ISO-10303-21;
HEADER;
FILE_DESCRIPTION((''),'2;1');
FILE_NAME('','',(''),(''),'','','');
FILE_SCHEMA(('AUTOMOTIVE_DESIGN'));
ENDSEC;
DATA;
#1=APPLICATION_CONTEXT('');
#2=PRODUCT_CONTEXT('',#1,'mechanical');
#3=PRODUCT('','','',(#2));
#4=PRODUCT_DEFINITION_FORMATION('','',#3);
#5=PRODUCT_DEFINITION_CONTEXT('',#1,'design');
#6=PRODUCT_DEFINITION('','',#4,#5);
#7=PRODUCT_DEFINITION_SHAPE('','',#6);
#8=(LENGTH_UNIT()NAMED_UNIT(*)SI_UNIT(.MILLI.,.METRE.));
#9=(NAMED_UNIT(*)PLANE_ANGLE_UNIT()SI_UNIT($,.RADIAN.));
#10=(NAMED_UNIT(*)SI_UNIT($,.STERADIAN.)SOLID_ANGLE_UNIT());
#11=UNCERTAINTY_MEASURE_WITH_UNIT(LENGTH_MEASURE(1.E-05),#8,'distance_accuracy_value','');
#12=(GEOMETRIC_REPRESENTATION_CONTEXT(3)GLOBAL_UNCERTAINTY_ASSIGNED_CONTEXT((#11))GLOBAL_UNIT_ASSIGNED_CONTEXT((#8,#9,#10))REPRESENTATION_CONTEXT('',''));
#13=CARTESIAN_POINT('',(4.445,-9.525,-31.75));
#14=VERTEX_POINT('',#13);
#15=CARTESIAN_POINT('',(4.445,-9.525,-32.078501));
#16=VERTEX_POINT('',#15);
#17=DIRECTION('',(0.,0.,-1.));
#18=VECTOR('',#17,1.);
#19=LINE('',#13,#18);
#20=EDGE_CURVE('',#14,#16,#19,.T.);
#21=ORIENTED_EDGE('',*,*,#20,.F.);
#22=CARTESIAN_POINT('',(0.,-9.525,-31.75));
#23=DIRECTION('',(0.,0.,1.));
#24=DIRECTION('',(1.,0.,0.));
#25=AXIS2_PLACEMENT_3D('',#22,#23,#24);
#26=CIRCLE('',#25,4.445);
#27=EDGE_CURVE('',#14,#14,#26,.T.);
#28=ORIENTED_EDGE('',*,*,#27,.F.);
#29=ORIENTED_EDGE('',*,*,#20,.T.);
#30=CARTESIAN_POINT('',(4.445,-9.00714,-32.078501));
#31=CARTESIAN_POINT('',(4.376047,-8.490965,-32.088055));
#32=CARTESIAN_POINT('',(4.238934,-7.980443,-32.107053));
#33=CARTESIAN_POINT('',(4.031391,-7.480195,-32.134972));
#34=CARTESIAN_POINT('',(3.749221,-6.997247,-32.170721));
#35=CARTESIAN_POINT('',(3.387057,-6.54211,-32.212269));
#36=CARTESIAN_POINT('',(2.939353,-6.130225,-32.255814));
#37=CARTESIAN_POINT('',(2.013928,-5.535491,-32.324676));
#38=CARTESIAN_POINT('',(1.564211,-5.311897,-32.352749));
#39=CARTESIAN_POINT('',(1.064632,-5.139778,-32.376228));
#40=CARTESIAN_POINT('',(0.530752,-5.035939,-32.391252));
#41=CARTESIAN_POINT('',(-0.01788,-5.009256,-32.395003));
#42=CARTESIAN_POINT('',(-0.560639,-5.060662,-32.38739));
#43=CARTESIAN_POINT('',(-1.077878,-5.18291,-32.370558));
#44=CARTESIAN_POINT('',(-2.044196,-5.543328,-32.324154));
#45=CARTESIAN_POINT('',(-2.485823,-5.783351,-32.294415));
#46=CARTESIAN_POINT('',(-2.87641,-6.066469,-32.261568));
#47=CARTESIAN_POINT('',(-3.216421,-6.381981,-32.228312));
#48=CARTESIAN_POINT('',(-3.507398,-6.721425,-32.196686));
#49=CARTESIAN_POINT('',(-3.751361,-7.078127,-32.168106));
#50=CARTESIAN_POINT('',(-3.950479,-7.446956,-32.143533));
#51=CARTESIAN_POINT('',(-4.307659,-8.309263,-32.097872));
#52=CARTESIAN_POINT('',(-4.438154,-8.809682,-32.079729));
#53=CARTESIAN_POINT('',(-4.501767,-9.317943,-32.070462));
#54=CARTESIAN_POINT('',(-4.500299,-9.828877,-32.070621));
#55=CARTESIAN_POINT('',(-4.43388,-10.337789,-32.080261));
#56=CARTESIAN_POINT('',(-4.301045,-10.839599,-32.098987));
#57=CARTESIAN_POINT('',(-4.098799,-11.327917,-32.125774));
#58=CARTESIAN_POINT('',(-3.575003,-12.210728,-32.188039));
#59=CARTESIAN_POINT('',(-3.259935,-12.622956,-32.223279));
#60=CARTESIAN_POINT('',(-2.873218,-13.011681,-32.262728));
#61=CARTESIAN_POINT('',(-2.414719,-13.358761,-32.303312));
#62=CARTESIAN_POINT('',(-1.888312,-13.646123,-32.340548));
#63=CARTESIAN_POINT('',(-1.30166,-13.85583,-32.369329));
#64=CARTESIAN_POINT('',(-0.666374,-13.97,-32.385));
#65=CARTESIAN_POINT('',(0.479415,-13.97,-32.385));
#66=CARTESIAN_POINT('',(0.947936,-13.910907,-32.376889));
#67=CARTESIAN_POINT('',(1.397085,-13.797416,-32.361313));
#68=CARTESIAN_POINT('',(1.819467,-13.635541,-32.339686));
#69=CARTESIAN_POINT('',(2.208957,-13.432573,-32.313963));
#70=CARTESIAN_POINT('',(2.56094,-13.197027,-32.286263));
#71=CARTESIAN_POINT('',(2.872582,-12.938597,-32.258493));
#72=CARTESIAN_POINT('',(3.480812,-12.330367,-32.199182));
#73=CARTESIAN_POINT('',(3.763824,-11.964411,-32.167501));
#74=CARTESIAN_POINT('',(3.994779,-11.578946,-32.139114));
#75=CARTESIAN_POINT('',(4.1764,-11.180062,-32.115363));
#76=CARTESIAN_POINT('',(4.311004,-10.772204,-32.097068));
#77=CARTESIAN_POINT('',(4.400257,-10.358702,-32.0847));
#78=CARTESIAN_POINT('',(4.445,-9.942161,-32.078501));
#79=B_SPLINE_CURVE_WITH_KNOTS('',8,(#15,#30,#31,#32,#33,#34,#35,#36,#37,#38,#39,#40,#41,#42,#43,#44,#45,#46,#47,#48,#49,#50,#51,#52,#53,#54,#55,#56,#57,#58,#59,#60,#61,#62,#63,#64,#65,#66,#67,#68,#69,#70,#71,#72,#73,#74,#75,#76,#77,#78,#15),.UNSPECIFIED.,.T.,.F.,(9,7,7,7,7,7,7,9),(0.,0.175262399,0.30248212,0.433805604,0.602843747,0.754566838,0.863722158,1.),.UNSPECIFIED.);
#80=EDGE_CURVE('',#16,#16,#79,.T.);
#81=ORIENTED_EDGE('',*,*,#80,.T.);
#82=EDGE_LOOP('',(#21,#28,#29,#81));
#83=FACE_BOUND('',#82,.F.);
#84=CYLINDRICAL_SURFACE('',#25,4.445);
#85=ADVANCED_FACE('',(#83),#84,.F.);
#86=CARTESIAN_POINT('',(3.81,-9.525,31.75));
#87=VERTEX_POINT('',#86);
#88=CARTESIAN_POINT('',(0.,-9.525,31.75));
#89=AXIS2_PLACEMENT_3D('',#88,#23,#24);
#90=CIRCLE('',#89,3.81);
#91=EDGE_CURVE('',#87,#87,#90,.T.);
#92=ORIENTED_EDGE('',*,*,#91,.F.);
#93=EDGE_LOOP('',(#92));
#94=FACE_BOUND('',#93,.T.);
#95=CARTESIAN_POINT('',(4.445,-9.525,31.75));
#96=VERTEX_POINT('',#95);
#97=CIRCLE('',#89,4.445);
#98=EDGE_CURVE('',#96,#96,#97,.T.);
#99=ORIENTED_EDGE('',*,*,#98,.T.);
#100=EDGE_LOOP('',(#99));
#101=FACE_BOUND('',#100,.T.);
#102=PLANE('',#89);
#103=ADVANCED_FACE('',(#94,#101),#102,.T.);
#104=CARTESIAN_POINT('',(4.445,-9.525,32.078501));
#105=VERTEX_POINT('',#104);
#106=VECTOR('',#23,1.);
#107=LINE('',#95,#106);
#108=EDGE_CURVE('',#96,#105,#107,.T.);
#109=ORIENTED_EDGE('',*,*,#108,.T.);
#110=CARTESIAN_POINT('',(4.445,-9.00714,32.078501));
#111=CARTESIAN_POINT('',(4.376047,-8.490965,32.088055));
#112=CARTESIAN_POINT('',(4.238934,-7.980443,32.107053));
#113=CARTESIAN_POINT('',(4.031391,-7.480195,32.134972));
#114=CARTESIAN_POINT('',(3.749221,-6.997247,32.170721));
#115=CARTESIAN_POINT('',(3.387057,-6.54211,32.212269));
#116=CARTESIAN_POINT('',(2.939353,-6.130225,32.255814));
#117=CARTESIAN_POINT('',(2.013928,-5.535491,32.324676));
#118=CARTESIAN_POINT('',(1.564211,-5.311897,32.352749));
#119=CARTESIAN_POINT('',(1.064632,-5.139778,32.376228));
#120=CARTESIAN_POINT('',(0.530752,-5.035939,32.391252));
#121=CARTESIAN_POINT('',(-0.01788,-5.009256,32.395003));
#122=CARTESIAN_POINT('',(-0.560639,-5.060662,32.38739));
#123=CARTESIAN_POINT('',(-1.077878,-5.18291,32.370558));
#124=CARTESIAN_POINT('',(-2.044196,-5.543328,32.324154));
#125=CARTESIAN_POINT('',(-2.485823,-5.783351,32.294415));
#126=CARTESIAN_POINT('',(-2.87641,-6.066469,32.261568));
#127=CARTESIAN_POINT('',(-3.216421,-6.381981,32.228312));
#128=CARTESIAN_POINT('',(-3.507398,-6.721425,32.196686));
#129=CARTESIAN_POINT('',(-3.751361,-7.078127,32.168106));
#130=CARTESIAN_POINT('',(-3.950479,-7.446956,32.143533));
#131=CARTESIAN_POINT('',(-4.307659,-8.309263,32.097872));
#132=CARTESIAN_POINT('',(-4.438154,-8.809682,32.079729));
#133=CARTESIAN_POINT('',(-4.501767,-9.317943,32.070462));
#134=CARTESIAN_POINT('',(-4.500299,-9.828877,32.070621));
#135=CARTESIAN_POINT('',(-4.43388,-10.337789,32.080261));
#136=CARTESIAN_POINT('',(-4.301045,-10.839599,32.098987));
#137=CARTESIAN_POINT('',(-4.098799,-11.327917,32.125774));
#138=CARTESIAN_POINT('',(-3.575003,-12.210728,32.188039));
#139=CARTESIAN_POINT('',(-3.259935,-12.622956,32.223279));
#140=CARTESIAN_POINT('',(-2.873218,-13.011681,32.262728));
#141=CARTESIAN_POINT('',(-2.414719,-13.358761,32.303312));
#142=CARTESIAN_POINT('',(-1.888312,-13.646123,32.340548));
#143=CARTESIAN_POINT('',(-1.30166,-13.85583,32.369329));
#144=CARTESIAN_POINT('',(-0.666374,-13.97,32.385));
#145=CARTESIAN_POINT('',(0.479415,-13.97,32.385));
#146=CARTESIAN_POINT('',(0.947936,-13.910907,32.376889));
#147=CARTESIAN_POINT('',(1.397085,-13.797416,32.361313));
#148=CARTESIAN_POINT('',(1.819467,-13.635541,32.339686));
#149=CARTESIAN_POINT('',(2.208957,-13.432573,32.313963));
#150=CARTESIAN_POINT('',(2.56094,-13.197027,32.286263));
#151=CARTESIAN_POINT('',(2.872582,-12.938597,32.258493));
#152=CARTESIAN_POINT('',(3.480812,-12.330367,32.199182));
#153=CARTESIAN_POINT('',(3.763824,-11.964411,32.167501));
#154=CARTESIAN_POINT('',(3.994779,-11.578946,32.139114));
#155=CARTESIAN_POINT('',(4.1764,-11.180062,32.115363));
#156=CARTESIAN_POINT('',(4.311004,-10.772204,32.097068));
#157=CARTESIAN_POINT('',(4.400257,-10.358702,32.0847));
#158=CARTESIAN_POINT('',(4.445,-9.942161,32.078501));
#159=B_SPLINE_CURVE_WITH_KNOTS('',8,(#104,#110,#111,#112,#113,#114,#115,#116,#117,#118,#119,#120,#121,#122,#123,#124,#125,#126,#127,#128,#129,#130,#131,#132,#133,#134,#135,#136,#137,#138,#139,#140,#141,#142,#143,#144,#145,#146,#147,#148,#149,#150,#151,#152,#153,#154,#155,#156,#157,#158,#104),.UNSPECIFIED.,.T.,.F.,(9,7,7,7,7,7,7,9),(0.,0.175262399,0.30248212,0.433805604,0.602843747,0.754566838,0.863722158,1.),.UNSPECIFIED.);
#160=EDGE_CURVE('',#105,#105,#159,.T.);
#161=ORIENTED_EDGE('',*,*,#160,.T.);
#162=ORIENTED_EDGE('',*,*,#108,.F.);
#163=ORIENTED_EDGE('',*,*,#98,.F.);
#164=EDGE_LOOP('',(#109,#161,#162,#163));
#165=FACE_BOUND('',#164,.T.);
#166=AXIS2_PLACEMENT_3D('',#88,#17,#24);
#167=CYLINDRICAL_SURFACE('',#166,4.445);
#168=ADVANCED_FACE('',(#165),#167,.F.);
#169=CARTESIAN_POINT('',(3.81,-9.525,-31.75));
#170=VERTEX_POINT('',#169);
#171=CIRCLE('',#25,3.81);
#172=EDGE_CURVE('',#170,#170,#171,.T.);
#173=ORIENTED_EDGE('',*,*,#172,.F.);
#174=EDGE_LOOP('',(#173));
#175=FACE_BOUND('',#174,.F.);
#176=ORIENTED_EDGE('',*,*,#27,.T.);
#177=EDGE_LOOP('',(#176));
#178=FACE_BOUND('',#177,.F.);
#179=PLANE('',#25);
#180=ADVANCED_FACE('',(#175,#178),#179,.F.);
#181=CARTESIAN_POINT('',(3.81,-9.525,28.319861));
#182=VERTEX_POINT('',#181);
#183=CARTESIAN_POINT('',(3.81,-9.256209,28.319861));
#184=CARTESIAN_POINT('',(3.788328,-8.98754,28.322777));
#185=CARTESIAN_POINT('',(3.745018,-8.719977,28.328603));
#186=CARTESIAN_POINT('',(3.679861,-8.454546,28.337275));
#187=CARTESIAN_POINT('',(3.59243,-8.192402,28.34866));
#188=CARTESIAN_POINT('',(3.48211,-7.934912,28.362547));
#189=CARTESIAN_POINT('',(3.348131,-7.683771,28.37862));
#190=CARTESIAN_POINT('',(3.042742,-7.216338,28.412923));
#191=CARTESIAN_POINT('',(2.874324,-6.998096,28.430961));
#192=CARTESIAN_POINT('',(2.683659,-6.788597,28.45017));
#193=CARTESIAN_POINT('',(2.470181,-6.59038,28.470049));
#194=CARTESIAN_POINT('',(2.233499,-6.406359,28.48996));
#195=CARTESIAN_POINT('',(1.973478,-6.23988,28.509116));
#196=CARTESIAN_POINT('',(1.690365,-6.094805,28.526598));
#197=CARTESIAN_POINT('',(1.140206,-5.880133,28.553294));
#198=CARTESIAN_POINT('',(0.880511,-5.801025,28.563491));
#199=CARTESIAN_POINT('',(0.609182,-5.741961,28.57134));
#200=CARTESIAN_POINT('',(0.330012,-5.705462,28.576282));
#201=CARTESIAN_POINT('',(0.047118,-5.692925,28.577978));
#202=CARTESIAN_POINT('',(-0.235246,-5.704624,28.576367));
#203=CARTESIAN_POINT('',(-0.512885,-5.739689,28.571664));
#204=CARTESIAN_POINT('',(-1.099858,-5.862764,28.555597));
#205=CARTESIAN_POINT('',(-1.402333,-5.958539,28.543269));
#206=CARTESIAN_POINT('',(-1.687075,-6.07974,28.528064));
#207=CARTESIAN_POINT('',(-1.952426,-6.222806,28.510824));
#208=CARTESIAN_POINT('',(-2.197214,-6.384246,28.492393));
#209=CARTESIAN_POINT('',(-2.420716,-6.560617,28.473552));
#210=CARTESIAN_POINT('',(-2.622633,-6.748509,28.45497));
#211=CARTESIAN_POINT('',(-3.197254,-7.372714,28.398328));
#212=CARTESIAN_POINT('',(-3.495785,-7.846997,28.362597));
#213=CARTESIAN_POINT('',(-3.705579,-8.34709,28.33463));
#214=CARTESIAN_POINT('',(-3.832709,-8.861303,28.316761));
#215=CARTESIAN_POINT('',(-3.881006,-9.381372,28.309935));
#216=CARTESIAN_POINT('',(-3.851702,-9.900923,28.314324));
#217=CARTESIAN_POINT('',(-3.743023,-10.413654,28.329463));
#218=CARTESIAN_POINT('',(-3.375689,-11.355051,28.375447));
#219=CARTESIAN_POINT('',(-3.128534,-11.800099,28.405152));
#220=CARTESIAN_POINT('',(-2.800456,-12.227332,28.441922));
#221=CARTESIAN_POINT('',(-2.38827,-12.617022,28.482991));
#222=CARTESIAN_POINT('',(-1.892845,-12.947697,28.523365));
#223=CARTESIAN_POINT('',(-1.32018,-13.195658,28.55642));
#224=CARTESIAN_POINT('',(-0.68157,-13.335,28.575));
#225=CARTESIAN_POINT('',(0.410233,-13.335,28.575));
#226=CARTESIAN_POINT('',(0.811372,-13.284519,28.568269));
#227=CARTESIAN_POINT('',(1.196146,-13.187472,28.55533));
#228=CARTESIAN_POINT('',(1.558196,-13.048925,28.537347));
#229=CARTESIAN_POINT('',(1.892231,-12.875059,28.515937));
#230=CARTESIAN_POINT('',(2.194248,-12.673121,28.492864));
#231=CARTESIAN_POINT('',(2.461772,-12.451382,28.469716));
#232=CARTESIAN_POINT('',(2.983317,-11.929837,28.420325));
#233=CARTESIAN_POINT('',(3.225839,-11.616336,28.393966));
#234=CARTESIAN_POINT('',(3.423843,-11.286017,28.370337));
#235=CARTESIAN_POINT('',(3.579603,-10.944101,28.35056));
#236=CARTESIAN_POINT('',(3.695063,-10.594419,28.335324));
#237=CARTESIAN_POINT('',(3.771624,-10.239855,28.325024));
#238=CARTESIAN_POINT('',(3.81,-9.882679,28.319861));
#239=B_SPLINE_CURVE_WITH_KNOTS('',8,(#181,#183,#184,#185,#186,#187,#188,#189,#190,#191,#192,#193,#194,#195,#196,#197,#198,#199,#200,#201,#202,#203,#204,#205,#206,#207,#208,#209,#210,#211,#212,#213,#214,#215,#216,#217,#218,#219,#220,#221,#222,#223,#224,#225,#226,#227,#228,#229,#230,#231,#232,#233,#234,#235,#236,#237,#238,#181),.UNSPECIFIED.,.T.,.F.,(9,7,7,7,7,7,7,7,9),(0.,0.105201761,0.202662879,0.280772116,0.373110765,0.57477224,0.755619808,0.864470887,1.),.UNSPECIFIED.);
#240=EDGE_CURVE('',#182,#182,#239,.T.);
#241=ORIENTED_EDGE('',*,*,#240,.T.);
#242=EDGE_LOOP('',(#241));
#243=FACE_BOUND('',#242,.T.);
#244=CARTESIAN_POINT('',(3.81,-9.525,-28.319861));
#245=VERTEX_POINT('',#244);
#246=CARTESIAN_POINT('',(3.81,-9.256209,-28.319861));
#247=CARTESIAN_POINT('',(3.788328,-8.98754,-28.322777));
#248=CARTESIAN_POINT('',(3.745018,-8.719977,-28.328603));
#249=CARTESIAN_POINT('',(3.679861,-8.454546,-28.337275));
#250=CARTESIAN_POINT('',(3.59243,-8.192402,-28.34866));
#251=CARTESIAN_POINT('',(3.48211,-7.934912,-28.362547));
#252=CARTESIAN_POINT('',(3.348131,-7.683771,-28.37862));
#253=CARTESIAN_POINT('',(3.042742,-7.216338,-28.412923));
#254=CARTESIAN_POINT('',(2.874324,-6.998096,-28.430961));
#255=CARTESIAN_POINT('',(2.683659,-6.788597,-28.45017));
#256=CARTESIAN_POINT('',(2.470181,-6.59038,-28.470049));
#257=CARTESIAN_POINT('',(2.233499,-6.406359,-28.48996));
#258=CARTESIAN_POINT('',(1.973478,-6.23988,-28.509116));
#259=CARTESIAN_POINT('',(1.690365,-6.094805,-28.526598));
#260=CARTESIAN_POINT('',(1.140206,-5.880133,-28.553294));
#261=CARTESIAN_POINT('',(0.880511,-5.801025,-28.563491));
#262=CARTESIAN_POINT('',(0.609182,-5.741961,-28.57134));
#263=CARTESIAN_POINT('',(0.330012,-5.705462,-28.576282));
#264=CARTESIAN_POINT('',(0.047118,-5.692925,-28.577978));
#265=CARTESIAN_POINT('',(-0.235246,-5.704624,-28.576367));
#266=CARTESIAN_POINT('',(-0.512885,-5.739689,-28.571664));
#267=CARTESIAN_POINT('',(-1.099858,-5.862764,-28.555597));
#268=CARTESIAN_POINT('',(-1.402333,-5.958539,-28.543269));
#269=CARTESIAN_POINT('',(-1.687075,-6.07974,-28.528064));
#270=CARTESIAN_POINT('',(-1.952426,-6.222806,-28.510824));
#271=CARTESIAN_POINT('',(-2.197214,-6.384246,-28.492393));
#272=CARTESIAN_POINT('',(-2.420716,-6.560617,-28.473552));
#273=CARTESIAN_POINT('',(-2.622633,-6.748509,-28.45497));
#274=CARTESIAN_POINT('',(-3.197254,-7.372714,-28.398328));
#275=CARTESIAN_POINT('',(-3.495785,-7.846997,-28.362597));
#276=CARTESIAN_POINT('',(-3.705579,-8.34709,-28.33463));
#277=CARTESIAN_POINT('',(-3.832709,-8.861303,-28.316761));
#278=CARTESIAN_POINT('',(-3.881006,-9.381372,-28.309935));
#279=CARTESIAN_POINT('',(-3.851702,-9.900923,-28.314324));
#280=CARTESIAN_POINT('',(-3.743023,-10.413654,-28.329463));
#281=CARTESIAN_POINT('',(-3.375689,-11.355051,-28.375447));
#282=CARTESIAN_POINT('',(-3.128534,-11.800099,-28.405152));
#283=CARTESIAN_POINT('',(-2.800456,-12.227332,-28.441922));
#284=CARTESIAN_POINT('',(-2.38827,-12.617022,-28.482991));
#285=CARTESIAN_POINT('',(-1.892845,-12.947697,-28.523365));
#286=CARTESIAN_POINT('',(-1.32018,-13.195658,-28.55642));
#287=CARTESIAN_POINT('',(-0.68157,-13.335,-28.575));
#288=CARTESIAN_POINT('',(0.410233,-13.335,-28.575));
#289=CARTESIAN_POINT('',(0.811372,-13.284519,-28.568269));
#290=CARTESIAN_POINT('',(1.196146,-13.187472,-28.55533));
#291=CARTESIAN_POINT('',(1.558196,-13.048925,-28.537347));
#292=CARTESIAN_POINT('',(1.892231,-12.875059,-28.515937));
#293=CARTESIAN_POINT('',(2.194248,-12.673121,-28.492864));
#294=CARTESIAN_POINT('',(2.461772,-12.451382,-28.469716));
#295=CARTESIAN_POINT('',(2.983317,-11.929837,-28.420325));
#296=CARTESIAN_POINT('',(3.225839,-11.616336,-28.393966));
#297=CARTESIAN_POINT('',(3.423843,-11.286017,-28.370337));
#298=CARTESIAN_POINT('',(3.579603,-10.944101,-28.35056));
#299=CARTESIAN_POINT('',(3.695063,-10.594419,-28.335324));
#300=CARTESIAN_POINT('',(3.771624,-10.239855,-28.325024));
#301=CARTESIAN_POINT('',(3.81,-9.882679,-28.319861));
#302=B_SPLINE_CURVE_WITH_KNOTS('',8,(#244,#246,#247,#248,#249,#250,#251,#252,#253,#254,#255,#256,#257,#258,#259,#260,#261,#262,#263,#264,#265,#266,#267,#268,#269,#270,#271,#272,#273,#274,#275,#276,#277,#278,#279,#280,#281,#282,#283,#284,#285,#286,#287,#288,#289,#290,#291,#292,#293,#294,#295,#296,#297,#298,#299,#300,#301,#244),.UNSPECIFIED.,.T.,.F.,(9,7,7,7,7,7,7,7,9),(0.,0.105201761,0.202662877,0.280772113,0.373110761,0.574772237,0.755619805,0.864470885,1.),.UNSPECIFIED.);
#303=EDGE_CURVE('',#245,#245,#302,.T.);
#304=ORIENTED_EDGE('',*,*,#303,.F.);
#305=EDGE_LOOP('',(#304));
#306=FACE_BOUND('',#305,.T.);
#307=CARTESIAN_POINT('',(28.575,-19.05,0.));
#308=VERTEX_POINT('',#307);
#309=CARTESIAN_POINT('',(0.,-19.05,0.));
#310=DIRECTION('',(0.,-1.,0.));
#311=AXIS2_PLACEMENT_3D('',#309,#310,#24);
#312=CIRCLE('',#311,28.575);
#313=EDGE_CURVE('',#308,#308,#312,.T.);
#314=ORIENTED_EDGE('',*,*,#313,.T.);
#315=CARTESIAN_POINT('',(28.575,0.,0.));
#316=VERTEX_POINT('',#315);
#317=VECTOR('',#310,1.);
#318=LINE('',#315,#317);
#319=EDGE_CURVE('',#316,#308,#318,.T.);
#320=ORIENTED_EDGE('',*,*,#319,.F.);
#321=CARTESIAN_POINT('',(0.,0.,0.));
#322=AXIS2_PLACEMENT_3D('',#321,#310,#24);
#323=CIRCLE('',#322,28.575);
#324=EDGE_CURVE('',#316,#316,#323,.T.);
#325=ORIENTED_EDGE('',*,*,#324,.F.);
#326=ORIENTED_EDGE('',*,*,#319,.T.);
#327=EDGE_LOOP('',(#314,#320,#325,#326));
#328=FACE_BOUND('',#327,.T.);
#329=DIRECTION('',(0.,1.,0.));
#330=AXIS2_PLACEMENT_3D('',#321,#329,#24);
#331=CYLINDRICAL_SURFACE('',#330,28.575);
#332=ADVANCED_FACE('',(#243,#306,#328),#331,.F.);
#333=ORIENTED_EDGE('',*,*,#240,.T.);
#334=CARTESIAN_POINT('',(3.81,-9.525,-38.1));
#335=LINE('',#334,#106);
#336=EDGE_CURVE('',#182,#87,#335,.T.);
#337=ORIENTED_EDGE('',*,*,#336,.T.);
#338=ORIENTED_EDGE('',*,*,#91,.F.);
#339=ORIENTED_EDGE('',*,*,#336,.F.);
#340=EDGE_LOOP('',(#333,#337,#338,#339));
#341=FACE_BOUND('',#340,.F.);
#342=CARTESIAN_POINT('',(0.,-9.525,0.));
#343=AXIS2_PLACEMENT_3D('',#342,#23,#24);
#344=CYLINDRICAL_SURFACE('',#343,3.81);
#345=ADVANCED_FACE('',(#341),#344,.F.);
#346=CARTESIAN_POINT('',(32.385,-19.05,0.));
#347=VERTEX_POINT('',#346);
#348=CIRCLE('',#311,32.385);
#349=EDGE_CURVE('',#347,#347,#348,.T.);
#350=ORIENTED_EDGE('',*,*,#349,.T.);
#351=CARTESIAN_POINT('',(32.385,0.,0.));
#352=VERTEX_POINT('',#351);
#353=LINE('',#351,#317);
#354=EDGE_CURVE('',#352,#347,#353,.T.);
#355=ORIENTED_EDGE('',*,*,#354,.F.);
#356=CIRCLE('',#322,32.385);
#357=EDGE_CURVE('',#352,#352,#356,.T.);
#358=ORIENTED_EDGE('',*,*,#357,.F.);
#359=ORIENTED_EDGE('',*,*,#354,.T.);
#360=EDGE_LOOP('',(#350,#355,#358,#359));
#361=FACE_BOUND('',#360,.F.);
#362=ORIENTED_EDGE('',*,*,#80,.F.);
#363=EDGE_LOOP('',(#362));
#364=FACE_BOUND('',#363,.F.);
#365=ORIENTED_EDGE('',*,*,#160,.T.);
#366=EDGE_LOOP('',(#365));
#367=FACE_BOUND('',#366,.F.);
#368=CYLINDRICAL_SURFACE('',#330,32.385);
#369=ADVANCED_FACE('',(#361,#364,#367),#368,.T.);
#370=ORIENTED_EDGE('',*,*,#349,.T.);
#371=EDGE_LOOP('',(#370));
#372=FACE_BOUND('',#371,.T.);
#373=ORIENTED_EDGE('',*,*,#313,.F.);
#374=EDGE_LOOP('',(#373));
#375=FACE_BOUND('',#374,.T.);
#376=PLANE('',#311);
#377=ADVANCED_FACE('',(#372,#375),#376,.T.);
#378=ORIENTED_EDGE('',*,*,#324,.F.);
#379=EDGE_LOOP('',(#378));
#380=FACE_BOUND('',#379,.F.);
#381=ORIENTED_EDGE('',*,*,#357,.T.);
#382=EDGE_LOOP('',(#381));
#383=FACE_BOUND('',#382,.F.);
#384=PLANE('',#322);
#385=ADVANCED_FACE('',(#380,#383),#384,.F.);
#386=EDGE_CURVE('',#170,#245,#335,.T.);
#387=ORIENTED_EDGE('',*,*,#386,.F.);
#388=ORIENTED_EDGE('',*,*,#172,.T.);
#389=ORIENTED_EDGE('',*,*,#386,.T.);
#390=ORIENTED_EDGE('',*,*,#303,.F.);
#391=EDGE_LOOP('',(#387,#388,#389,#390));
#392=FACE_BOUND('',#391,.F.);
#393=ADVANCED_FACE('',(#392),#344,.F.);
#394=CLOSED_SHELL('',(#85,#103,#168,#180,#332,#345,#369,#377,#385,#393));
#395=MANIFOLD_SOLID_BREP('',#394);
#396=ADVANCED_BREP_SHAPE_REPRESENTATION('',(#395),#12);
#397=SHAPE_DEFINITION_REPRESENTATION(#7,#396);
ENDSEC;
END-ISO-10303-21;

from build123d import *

# Parameters (mm, degrees)
F0_R     = 32.385
F0_R_2   = 28.575
F1_DEPTH = 19.05
F2_R     = 3.81
F3_DEPTH = 38.1
F6_R     = 4.445
F6_R_2   = 3.81
F7_DEPTH = 25.4
F8_R     = 4.445
F8_R_2   = 3.81
F9_DEPTH = 25.4


with BuildPart() as f1:
    # F0 (on Front) → F1 (new body)
    with BuildSketch(Plane.XZ):
        Circle(F0_R)
        Circle(F0_R_2, mode=Mode.SUBTRACT)
    extrude(amount=F1_DEPTH)

    # F2 (on Top) → F3 (cut, symmetric)
    with BuildSketch(Plane.XY):
        with Locations((0, -9.525)):
            Circle(F2_R)
    extrude(amount=F3_DEPTH, both=True, mode=Mode.SUBTRACT)

    # F6 (on offset) → F7 (cut)
    with BuildSketch(Plane.XY.offset(31.75)):
        with Locations((0, -9.525)):
            Circle(F6_R)
        with Locations((0, -9.525)):
            Circle(F6_R_2, mode=Mode.SUBTRACT)
    extrude(amount=F7_DEPTH, mode=Mode.SUBTRACT)

    # F8 (on offset) → F9 (cut)
    with BuildSketch(Plane.XY.offset(-31.75)):
        with Locations((0, -9.525)):
            Circle(F8_R)
        with Locations((0, -9.525)):
            Circle(F8_R_2, mode=Mode.SUBTRACT)
    extrude(amount=-F9_DEPTH, mode=Mode.SUBTRACT)


solid = f1.part
